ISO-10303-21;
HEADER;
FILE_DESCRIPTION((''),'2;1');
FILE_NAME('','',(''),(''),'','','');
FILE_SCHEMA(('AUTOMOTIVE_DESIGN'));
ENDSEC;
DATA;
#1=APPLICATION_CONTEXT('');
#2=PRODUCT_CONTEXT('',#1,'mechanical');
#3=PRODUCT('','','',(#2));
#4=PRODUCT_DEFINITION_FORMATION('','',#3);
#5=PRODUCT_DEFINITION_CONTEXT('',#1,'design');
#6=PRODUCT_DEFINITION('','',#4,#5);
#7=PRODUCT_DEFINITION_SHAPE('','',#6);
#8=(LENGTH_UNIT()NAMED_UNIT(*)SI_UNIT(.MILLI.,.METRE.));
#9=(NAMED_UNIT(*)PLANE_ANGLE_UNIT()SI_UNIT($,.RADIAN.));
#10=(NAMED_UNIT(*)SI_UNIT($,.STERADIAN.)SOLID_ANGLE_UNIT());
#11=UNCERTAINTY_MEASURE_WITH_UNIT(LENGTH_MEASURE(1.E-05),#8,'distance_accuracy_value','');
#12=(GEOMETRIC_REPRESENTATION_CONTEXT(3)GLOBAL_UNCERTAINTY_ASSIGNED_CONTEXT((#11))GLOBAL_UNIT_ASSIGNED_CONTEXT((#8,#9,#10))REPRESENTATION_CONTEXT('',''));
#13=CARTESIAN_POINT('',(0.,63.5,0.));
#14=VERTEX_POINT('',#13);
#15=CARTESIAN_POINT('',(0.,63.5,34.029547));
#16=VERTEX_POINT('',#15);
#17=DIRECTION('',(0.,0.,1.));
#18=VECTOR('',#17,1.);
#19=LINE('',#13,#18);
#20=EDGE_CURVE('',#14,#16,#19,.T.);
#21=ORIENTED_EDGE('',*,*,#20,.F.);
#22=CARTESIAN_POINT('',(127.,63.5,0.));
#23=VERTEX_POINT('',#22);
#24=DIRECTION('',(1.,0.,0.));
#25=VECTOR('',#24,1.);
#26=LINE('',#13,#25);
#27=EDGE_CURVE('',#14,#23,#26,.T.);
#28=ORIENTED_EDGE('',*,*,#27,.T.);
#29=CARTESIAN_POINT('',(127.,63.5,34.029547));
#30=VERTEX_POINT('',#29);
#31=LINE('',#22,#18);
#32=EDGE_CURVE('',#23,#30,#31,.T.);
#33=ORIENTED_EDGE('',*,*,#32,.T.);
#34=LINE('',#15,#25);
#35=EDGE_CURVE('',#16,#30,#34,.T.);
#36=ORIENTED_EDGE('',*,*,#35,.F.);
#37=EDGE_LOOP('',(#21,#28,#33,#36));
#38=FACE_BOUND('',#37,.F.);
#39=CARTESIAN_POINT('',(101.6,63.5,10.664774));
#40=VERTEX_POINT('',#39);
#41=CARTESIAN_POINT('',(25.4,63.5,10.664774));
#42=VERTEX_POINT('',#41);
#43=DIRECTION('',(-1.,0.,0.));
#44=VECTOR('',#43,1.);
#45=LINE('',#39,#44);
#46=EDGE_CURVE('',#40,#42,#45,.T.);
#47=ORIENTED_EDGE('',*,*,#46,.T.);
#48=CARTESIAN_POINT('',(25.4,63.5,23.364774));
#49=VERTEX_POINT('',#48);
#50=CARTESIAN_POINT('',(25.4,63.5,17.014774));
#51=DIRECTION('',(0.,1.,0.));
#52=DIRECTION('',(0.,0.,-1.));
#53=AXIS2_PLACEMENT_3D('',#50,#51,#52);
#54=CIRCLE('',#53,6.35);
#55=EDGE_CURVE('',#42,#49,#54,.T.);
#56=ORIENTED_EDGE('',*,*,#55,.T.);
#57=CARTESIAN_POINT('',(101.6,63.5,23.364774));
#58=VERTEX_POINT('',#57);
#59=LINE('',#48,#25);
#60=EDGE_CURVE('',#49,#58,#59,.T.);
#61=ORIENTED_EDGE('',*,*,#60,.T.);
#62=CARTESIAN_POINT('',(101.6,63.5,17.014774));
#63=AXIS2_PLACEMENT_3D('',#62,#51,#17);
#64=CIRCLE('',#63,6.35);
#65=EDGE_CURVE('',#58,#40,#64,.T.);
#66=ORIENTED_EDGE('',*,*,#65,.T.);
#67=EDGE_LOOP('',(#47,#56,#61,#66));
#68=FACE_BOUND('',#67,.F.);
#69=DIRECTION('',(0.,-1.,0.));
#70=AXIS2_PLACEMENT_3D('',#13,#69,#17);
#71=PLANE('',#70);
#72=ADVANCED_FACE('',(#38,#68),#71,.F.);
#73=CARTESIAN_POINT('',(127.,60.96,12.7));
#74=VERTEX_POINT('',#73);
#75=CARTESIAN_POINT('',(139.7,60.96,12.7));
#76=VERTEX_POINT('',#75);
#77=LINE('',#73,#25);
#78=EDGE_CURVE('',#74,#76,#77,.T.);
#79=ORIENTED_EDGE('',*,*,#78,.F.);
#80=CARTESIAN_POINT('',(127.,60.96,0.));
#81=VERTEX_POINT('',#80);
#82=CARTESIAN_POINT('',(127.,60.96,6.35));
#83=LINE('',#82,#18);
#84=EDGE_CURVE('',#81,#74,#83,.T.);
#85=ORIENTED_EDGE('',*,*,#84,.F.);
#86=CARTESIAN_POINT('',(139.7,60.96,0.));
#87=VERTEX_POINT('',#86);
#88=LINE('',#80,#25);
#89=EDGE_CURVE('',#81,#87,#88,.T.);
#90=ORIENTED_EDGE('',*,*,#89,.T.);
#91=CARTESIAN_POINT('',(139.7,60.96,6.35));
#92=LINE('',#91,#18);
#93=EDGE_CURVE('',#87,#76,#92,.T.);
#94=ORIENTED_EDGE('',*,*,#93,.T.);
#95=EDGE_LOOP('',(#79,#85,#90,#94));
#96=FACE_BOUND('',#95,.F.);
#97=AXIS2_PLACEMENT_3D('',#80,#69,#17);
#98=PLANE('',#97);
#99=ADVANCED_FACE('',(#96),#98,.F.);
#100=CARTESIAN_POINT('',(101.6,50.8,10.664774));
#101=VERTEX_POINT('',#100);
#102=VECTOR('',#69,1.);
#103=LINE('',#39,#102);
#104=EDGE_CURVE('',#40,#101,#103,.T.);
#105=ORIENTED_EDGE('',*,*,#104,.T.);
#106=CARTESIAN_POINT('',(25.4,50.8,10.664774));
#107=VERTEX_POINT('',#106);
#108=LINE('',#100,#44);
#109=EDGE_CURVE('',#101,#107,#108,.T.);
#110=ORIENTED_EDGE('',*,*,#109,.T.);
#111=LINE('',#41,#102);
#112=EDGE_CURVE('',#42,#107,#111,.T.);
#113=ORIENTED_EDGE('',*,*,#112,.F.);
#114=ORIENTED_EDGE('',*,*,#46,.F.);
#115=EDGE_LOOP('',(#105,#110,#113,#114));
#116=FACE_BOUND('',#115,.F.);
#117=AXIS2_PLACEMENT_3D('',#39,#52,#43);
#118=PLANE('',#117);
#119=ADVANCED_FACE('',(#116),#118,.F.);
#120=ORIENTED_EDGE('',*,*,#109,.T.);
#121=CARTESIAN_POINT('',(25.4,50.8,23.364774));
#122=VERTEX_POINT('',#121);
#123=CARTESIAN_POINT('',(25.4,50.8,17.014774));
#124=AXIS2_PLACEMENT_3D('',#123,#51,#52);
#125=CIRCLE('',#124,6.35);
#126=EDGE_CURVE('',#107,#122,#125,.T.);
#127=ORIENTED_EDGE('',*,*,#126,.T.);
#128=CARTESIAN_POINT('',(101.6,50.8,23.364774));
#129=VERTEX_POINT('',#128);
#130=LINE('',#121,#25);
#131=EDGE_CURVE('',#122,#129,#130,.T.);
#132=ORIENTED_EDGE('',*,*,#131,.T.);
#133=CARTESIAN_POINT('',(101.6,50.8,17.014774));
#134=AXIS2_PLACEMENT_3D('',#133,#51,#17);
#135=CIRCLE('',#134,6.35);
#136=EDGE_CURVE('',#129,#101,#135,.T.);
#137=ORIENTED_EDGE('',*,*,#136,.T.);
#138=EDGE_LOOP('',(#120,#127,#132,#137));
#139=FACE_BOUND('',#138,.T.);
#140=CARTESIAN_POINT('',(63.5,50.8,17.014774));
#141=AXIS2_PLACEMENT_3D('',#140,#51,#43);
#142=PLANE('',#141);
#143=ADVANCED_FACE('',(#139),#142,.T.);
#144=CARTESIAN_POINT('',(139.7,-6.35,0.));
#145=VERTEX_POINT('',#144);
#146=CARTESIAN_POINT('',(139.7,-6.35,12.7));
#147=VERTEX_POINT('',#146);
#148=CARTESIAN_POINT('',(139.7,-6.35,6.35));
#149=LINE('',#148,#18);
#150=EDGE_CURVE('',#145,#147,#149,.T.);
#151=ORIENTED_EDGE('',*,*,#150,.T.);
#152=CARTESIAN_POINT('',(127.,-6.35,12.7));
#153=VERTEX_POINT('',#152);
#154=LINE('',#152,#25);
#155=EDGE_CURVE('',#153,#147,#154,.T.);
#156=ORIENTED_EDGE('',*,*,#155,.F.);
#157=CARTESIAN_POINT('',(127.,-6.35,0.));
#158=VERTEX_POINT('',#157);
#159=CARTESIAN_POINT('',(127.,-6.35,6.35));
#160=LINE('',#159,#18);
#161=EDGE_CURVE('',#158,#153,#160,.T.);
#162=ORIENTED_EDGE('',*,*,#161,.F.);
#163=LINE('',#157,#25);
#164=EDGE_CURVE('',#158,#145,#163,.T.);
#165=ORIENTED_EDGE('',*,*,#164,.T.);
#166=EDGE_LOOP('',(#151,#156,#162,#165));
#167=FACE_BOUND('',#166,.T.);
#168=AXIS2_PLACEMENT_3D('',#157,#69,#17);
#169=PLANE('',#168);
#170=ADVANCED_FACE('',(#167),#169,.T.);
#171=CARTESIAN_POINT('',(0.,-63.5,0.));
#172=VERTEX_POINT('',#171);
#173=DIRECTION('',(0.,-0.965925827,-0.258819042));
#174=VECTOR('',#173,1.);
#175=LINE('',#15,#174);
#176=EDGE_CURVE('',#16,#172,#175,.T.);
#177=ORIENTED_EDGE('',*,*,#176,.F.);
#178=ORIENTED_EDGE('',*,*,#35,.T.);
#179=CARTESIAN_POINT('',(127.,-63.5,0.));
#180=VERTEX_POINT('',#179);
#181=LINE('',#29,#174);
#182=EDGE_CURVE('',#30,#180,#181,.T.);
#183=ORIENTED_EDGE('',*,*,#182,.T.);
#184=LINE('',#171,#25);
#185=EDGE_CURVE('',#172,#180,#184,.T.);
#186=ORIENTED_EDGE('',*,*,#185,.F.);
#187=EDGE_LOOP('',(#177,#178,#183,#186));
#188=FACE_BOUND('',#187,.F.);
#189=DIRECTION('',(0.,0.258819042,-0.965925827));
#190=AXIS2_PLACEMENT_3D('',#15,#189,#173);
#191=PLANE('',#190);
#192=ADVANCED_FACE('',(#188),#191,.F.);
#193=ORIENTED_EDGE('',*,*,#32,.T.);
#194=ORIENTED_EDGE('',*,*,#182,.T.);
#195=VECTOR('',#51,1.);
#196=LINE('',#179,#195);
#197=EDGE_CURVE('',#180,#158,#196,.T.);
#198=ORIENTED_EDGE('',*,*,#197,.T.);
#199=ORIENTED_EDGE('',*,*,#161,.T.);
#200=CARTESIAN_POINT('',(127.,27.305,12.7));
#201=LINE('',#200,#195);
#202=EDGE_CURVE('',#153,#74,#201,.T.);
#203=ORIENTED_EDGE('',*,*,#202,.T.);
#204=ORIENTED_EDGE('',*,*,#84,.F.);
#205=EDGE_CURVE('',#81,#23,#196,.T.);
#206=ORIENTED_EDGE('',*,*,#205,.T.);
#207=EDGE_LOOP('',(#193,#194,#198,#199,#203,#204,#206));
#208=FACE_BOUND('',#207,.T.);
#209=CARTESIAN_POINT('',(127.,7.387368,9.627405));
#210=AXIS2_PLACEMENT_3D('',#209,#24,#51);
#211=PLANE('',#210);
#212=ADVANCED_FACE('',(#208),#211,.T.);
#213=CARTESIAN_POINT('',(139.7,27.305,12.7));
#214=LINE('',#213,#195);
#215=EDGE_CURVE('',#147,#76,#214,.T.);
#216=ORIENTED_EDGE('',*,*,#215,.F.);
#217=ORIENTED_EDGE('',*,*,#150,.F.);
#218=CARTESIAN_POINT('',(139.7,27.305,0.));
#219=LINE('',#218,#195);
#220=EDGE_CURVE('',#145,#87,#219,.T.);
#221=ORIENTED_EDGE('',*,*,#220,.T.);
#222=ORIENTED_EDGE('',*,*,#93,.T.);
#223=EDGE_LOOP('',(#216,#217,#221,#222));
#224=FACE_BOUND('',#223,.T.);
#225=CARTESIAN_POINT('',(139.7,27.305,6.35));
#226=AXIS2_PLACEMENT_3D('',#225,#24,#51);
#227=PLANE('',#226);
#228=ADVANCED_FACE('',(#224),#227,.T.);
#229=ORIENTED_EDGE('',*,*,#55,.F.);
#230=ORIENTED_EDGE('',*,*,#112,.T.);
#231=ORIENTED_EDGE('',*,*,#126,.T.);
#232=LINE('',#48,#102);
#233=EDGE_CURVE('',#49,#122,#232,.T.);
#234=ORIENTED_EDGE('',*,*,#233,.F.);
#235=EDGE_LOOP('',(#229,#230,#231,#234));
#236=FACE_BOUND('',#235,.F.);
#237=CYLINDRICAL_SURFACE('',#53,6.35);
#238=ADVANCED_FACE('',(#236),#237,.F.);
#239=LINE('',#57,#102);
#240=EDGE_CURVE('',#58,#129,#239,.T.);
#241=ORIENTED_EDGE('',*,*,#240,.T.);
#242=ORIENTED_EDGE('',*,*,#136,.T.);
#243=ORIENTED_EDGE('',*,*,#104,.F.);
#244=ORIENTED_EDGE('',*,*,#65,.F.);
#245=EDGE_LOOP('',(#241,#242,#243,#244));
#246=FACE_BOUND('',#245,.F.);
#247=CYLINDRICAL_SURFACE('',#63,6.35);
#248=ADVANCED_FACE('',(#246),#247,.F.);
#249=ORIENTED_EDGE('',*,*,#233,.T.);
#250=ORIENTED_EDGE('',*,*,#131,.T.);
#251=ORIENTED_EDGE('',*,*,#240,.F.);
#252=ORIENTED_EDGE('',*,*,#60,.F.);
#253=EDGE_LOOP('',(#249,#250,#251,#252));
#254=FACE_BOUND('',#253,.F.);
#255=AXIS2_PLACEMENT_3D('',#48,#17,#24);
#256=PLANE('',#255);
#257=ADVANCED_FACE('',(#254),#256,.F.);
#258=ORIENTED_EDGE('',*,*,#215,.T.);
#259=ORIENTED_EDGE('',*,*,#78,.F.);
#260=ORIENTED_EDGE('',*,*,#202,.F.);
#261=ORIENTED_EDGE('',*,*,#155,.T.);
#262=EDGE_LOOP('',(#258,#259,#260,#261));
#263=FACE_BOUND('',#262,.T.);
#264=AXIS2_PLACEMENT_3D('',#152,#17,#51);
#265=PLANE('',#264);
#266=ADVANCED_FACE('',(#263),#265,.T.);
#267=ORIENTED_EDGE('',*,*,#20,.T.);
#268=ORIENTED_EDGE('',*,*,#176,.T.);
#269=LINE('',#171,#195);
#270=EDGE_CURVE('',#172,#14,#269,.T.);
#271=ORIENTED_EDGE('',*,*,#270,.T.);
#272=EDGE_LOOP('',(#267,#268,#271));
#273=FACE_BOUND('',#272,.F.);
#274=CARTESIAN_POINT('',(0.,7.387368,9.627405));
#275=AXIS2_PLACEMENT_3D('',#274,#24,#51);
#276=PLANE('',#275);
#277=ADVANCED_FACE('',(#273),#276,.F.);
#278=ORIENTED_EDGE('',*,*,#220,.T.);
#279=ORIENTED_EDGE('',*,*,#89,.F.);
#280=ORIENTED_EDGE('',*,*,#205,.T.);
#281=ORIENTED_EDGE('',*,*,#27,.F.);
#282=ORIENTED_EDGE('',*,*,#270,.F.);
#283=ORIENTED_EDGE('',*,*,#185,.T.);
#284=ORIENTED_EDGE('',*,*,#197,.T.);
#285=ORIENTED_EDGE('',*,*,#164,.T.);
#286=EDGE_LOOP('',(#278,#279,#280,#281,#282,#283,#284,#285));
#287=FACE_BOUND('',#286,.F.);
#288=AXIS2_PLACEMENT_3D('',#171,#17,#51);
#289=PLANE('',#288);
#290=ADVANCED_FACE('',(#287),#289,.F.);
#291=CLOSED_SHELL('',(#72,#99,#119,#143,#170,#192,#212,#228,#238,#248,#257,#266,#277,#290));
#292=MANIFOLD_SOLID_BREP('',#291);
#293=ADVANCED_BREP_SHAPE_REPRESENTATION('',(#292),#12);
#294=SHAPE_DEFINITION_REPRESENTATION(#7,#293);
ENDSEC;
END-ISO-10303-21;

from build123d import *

# Parameters (mm, degrees)
F1_DEPTH = 127
F2_W     = 67.31
F2_H     = 12.7
F3_DEPTH = 12.7
F5_DEPTH = 12.7


with BuildPart() as f1:
    # F0 (on Right) → F1 (new body)
    with BuildSketch(Plane.YZ):
        Polygon((63.5, 34.029547), (-63.5, 0), (63.5, 0), align=None)
    extrude(amount=F1_DEPTH)

    # F2 (on face) → F3 (join)
    with BuildSketch(Plane.YZ.offset(127)):
        with Locations((27.305, 6.35)):
            Rectangle(F2_W, F2_H)
    extrude(amount=F3_DEPTH)

    # F4 (on face) → F5 (cut)
    with BuildSketch(Plane(origin=(0, 63.5, 0), x_dir=(-1, 0, 0), z_dir=(0, 1, 0))):
        with BuildLine():
            ThreePointArc((-101.6, 23.364774), (-107.95, 17.014774), (-101.6, 10.664774))
            Line((-101.6, 10.664774), (-25.4, 10.664774))
            ThreePointArc((-25.4, 10.664774), (-19.05, 17.014774), (-25.4, 23.364774))
            Line((-25.4, 23.364774), (-101.6, 23.364774))
        make_face()
    extrude(amount=-F5_DEPTH, mode=Mode.SUBTRACT)


solid = f1.part
